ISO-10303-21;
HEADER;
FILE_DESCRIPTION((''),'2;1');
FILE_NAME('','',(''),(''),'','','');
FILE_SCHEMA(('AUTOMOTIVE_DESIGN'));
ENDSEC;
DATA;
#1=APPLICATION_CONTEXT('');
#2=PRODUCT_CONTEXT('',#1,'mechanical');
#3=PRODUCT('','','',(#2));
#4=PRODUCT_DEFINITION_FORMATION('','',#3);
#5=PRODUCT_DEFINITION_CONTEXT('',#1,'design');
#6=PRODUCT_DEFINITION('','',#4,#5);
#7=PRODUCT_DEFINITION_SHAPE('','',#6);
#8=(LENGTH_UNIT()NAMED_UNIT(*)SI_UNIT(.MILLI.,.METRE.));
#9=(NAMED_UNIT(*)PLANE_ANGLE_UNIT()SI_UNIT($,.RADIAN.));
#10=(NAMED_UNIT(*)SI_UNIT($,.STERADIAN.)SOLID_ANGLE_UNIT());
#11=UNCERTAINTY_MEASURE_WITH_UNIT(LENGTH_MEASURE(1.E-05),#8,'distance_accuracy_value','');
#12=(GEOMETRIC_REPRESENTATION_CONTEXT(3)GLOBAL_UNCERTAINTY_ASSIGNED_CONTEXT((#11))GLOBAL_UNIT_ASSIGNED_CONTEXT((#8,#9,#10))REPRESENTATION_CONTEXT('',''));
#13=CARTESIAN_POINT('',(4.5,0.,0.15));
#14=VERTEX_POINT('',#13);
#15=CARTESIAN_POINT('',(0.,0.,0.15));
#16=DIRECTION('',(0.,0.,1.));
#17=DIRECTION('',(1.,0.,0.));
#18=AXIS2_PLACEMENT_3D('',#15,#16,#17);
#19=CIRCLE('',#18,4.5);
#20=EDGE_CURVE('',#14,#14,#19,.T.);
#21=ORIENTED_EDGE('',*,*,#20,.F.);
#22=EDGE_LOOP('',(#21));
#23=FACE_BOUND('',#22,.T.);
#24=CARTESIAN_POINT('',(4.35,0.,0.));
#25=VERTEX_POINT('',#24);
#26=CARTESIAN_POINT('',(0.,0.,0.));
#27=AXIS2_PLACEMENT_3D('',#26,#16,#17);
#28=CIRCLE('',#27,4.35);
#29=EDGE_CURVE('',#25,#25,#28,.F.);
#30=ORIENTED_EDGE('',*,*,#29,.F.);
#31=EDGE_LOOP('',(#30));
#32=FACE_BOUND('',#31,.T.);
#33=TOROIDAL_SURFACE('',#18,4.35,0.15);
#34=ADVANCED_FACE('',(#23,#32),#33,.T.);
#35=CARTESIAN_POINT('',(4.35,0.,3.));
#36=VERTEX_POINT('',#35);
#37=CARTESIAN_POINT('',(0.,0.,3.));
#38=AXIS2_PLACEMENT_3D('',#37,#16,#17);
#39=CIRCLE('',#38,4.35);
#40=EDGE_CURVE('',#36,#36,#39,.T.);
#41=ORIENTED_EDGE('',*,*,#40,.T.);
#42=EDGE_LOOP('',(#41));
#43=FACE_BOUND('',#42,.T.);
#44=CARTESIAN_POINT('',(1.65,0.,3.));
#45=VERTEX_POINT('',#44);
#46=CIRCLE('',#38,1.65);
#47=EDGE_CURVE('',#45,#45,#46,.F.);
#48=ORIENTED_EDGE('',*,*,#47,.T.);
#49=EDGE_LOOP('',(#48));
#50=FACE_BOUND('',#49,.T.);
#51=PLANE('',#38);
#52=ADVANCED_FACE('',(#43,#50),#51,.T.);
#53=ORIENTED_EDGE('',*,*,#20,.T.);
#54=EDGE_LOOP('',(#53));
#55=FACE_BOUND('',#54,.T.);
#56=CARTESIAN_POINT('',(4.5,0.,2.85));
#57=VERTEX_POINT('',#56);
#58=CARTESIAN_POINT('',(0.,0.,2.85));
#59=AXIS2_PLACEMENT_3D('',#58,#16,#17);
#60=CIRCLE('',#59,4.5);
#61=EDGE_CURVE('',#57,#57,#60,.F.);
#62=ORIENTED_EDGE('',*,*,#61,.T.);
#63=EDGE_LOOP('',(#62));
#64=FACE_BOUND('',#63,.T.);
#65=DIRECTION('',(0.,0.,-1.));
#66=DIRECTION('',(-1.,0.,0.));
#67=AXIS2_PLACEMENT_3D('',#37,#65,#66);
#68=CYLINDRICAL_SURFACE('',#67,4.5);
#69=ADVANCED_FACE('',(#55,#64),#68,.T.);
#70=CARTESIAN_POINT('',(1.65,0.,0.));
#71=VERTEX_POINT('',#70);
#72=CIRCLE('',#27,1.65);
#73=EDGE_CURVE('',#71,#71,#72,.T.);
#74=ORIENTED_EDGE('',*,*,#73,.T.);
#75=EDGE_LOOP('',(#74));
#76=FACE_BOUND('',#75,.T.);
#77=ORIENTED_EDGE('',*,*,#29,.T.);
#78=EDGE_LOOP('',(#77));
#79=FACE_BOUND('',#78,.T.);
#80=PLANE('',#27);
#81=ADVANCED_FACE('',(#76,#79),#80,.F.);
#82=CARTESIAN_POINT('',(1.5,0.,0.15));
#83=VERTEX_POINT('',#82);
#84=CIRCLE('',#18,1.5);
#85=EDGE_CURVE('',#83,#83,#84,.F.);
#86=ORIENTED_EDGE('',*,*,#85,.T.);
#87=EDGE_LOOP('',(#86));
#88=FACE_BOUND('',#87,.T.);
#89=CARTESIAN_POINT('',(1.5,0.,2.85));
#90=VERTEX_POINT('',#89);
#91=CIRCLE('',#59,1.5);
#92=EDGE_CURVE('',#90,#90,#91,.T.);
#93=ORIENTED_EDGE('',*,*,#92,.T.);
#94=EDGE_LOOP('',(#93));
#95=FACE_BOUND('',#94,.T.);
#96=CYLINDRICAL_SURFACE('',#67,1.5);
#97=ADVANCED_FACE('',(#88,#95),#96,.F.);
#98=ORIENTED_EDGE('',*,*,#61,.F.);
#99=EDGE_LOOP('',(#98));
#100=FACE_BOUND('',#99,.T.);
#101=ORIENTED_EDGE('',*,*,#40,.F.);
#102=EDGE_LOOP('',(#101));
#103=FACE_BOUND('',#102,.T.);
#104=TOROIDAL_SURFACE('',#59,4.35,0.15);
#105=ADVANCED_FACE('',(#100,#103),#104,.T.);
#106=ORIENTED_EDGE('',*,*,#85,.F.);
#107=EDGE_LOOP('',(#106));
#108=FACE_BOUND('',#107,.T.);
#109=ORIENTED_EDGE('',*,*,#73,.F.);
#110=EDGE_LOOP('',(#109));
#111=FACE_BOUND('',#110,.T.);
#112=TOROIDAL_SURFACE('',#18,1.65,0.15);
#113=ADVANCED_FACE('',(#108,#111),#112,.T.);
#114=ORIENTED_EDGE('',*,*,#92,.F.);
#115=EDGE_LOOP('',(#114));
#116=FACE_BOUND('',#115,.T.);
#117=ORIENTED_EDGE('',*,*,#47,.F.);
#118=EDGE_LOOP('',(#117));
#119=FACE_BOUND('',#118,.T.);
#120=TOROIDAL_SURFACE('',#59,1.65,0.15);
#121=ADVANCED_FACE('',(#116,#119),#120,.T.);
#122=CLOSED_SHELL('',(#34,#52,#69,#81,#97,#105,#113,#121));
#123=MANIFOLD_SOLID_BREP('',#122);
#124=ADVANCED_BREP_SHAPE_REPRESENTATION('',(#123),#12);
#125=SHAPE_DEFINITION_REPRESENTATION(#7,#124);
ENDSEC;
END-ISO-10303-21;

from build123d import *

# Parameters (mm, degrees)
SKETCH_1_R      = 4.5
SKETCH_1_R_2    = 1.5
EXTRUDE_1_DEPTH = 3
FILLET_1_R      = 0.15


with BuildPart() as part:
    # 草图1 → 凸台-拉伸1 (new body)
    with BuildSketch(Plane.XY):
        Circle(SKETCH_1_R)
        Circle(SKETCH_1_R_2, mode=Mode.SUBTRACT)
    extrude(amount=EXTRUDE_1_DEPTH)

    # 圆角1
    fillet_1_edges = [part.edges().sort_by_distance(p)[0] for p in [
        (-4.5, 0, 0),
        (-4.5, 0, 3),
        (-1.5, 0, 0),
        (-1.5, 0, 3),
    ]]
    fillet(fillet_1_edges, radius=FILLET_1_R)


solid = part.part
